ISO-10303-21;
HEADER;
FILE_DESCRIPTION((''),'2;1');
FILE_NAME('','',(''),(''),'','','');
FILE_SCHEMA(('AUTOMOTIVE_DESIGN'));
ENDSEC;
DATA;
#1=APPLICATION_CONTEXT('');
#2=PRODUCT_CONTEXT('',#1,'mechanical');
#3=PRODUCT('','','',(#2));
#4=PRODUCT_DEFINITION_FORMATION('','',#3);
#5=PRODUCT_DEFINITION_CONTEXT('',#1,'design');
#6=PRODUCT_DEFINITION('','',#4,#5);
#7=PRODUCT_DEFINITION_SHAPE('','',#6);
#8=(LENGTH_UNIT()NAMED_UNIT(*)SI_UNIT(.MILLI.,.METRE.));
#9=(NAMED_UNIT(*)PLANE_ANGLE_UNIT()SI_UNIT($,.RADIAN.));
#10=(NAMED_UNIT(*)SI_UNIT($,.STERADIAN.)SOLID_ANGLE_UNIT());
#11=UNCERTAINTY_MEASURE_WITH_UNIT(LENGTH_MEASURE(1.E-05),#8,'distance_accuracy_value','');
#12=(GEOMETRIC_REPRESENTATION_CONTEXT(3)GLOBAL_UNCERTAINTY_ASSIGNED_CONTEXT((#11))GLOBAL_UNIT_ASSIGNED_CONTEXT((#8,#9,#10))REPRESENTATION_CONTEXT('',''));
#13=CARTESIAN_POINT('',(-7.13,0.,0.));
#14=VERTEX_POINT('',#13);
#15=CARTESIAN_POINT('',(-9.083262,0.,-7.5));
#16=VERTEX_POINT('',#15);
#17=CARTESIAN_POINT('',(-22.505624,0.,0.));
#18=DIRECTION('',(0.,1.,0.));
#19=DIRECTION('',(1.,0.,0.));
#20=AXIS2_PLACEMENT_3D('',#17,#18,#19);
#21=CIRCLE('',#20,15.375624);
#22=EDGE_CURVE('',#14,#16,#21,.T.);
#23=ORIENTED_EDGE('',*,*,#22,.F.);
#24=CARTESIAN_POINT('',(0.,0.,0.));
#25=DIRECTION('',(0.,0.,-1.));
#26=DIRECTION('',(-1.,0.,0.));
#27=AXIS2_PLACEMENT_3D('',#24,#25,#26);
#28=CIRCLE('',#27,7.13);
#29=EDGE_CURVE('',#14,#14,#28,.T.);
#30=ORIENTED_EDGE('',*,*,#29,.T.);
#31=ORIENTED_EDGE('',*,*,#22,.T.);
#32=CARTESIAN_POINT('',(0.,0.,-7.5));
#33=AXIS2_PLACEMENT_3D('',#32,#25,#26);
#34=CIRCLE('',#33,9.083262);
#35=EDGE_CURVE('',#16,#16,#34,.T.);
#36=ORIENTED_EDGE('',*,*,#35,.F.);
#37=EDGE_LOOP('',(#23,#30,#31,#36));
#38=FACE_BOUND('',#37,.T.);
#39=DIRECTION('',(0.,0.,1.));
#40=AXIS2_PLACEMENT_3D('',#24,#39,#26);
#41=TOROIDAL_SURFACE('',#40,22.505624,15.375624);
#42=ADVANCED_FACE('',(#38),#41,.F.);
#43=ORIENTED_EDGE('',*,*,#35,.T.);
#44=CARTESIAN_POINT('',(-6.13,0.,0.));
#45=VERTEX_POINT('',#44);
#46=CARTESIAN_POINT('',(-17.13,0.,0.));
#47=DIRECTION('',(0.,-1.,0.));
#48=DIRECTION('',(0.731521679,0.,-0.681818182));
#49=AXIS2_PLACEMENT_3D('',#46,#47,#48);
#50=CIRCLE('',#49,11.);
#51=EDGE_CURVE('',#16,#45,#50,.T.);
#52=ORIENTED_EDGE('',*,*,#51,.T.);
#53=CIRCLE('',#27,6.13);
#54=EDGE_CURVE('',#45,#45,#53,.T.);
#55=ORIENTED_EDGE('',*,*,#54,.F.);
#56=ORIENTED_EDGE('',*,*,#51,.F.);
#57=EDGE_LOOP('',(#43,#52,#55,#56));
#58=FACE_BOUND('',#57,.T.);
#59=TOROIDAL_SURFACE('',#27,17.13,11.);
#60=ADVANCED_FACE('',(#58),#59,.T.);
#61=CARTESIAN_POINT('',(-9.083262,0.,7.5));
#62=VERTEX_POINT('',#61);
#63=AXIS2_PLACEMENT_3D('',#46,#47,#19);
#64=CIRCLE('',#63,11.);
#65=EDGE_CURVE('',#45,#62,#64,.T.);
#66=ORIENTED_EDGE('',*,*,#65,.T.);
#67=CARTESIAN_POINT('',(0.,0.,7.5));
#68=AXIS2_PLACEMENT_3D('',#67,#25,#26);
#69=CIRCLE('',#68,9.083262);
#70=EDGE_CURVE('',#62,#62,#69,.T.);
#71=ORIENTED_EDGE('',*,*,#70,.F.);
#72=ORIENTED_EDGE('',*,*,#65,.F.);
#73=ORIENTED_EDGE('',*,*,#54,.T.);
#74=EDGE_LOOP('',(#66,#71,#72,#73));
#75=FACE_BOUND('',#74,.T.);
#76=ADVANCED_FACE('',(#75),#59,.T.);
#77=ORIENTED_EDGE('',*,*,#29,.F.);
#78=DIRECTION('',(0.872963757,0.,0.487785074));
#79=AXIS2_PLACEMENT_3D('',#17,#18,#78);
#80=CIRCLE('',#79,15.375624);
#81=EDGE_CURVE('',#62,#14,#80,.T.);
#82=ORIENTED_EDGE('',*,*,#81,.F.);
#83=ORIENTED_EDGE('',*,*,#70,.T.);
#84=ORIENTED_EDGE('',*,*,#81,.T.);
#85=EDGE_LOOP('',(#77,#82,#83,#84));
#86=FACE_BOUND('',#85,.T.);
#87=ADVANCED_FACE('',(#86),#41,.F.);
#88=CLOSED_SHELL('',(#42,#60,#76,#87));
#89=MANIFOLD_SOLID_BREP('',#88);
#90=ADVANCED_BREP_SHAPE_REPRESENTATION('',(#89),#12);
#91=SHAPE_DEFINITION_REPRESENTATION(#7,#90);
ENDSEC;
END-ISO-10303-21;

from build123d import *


with BuildPart() as f1:
    # F0 (on Front) → F1 (revolve)
    with BuildSketch(Plane.XZ):
        with BuildLine():
            ThreePointArc((-7.13, 0), (-7.6263261012, -3.8750880831), (-9.0832615303, -7.5))
            ThreePointArc((-9.0832615303, -7.5), (-6.8949102797, -4.0302528973), (-6.13, 0))
            Line((-6.13, 0), (-7.13, 0))
        make_face()
        with BuildLine():
            ThreePointArc((-9.0832615303, 7.5), (-7.6263261012, 3.8750880831), (-7.13, 0))
            Line((-7.13, 0), (-6.13, 0))
            ThreePointArc((-6.13, 0), (-6.8949102797, 4.0302528973), (-9.0832615303, 7.5))
        make_face()
    revolve(axis=Axis((0, 0, 0), (0, 0, -1)))


solid = f1.part
